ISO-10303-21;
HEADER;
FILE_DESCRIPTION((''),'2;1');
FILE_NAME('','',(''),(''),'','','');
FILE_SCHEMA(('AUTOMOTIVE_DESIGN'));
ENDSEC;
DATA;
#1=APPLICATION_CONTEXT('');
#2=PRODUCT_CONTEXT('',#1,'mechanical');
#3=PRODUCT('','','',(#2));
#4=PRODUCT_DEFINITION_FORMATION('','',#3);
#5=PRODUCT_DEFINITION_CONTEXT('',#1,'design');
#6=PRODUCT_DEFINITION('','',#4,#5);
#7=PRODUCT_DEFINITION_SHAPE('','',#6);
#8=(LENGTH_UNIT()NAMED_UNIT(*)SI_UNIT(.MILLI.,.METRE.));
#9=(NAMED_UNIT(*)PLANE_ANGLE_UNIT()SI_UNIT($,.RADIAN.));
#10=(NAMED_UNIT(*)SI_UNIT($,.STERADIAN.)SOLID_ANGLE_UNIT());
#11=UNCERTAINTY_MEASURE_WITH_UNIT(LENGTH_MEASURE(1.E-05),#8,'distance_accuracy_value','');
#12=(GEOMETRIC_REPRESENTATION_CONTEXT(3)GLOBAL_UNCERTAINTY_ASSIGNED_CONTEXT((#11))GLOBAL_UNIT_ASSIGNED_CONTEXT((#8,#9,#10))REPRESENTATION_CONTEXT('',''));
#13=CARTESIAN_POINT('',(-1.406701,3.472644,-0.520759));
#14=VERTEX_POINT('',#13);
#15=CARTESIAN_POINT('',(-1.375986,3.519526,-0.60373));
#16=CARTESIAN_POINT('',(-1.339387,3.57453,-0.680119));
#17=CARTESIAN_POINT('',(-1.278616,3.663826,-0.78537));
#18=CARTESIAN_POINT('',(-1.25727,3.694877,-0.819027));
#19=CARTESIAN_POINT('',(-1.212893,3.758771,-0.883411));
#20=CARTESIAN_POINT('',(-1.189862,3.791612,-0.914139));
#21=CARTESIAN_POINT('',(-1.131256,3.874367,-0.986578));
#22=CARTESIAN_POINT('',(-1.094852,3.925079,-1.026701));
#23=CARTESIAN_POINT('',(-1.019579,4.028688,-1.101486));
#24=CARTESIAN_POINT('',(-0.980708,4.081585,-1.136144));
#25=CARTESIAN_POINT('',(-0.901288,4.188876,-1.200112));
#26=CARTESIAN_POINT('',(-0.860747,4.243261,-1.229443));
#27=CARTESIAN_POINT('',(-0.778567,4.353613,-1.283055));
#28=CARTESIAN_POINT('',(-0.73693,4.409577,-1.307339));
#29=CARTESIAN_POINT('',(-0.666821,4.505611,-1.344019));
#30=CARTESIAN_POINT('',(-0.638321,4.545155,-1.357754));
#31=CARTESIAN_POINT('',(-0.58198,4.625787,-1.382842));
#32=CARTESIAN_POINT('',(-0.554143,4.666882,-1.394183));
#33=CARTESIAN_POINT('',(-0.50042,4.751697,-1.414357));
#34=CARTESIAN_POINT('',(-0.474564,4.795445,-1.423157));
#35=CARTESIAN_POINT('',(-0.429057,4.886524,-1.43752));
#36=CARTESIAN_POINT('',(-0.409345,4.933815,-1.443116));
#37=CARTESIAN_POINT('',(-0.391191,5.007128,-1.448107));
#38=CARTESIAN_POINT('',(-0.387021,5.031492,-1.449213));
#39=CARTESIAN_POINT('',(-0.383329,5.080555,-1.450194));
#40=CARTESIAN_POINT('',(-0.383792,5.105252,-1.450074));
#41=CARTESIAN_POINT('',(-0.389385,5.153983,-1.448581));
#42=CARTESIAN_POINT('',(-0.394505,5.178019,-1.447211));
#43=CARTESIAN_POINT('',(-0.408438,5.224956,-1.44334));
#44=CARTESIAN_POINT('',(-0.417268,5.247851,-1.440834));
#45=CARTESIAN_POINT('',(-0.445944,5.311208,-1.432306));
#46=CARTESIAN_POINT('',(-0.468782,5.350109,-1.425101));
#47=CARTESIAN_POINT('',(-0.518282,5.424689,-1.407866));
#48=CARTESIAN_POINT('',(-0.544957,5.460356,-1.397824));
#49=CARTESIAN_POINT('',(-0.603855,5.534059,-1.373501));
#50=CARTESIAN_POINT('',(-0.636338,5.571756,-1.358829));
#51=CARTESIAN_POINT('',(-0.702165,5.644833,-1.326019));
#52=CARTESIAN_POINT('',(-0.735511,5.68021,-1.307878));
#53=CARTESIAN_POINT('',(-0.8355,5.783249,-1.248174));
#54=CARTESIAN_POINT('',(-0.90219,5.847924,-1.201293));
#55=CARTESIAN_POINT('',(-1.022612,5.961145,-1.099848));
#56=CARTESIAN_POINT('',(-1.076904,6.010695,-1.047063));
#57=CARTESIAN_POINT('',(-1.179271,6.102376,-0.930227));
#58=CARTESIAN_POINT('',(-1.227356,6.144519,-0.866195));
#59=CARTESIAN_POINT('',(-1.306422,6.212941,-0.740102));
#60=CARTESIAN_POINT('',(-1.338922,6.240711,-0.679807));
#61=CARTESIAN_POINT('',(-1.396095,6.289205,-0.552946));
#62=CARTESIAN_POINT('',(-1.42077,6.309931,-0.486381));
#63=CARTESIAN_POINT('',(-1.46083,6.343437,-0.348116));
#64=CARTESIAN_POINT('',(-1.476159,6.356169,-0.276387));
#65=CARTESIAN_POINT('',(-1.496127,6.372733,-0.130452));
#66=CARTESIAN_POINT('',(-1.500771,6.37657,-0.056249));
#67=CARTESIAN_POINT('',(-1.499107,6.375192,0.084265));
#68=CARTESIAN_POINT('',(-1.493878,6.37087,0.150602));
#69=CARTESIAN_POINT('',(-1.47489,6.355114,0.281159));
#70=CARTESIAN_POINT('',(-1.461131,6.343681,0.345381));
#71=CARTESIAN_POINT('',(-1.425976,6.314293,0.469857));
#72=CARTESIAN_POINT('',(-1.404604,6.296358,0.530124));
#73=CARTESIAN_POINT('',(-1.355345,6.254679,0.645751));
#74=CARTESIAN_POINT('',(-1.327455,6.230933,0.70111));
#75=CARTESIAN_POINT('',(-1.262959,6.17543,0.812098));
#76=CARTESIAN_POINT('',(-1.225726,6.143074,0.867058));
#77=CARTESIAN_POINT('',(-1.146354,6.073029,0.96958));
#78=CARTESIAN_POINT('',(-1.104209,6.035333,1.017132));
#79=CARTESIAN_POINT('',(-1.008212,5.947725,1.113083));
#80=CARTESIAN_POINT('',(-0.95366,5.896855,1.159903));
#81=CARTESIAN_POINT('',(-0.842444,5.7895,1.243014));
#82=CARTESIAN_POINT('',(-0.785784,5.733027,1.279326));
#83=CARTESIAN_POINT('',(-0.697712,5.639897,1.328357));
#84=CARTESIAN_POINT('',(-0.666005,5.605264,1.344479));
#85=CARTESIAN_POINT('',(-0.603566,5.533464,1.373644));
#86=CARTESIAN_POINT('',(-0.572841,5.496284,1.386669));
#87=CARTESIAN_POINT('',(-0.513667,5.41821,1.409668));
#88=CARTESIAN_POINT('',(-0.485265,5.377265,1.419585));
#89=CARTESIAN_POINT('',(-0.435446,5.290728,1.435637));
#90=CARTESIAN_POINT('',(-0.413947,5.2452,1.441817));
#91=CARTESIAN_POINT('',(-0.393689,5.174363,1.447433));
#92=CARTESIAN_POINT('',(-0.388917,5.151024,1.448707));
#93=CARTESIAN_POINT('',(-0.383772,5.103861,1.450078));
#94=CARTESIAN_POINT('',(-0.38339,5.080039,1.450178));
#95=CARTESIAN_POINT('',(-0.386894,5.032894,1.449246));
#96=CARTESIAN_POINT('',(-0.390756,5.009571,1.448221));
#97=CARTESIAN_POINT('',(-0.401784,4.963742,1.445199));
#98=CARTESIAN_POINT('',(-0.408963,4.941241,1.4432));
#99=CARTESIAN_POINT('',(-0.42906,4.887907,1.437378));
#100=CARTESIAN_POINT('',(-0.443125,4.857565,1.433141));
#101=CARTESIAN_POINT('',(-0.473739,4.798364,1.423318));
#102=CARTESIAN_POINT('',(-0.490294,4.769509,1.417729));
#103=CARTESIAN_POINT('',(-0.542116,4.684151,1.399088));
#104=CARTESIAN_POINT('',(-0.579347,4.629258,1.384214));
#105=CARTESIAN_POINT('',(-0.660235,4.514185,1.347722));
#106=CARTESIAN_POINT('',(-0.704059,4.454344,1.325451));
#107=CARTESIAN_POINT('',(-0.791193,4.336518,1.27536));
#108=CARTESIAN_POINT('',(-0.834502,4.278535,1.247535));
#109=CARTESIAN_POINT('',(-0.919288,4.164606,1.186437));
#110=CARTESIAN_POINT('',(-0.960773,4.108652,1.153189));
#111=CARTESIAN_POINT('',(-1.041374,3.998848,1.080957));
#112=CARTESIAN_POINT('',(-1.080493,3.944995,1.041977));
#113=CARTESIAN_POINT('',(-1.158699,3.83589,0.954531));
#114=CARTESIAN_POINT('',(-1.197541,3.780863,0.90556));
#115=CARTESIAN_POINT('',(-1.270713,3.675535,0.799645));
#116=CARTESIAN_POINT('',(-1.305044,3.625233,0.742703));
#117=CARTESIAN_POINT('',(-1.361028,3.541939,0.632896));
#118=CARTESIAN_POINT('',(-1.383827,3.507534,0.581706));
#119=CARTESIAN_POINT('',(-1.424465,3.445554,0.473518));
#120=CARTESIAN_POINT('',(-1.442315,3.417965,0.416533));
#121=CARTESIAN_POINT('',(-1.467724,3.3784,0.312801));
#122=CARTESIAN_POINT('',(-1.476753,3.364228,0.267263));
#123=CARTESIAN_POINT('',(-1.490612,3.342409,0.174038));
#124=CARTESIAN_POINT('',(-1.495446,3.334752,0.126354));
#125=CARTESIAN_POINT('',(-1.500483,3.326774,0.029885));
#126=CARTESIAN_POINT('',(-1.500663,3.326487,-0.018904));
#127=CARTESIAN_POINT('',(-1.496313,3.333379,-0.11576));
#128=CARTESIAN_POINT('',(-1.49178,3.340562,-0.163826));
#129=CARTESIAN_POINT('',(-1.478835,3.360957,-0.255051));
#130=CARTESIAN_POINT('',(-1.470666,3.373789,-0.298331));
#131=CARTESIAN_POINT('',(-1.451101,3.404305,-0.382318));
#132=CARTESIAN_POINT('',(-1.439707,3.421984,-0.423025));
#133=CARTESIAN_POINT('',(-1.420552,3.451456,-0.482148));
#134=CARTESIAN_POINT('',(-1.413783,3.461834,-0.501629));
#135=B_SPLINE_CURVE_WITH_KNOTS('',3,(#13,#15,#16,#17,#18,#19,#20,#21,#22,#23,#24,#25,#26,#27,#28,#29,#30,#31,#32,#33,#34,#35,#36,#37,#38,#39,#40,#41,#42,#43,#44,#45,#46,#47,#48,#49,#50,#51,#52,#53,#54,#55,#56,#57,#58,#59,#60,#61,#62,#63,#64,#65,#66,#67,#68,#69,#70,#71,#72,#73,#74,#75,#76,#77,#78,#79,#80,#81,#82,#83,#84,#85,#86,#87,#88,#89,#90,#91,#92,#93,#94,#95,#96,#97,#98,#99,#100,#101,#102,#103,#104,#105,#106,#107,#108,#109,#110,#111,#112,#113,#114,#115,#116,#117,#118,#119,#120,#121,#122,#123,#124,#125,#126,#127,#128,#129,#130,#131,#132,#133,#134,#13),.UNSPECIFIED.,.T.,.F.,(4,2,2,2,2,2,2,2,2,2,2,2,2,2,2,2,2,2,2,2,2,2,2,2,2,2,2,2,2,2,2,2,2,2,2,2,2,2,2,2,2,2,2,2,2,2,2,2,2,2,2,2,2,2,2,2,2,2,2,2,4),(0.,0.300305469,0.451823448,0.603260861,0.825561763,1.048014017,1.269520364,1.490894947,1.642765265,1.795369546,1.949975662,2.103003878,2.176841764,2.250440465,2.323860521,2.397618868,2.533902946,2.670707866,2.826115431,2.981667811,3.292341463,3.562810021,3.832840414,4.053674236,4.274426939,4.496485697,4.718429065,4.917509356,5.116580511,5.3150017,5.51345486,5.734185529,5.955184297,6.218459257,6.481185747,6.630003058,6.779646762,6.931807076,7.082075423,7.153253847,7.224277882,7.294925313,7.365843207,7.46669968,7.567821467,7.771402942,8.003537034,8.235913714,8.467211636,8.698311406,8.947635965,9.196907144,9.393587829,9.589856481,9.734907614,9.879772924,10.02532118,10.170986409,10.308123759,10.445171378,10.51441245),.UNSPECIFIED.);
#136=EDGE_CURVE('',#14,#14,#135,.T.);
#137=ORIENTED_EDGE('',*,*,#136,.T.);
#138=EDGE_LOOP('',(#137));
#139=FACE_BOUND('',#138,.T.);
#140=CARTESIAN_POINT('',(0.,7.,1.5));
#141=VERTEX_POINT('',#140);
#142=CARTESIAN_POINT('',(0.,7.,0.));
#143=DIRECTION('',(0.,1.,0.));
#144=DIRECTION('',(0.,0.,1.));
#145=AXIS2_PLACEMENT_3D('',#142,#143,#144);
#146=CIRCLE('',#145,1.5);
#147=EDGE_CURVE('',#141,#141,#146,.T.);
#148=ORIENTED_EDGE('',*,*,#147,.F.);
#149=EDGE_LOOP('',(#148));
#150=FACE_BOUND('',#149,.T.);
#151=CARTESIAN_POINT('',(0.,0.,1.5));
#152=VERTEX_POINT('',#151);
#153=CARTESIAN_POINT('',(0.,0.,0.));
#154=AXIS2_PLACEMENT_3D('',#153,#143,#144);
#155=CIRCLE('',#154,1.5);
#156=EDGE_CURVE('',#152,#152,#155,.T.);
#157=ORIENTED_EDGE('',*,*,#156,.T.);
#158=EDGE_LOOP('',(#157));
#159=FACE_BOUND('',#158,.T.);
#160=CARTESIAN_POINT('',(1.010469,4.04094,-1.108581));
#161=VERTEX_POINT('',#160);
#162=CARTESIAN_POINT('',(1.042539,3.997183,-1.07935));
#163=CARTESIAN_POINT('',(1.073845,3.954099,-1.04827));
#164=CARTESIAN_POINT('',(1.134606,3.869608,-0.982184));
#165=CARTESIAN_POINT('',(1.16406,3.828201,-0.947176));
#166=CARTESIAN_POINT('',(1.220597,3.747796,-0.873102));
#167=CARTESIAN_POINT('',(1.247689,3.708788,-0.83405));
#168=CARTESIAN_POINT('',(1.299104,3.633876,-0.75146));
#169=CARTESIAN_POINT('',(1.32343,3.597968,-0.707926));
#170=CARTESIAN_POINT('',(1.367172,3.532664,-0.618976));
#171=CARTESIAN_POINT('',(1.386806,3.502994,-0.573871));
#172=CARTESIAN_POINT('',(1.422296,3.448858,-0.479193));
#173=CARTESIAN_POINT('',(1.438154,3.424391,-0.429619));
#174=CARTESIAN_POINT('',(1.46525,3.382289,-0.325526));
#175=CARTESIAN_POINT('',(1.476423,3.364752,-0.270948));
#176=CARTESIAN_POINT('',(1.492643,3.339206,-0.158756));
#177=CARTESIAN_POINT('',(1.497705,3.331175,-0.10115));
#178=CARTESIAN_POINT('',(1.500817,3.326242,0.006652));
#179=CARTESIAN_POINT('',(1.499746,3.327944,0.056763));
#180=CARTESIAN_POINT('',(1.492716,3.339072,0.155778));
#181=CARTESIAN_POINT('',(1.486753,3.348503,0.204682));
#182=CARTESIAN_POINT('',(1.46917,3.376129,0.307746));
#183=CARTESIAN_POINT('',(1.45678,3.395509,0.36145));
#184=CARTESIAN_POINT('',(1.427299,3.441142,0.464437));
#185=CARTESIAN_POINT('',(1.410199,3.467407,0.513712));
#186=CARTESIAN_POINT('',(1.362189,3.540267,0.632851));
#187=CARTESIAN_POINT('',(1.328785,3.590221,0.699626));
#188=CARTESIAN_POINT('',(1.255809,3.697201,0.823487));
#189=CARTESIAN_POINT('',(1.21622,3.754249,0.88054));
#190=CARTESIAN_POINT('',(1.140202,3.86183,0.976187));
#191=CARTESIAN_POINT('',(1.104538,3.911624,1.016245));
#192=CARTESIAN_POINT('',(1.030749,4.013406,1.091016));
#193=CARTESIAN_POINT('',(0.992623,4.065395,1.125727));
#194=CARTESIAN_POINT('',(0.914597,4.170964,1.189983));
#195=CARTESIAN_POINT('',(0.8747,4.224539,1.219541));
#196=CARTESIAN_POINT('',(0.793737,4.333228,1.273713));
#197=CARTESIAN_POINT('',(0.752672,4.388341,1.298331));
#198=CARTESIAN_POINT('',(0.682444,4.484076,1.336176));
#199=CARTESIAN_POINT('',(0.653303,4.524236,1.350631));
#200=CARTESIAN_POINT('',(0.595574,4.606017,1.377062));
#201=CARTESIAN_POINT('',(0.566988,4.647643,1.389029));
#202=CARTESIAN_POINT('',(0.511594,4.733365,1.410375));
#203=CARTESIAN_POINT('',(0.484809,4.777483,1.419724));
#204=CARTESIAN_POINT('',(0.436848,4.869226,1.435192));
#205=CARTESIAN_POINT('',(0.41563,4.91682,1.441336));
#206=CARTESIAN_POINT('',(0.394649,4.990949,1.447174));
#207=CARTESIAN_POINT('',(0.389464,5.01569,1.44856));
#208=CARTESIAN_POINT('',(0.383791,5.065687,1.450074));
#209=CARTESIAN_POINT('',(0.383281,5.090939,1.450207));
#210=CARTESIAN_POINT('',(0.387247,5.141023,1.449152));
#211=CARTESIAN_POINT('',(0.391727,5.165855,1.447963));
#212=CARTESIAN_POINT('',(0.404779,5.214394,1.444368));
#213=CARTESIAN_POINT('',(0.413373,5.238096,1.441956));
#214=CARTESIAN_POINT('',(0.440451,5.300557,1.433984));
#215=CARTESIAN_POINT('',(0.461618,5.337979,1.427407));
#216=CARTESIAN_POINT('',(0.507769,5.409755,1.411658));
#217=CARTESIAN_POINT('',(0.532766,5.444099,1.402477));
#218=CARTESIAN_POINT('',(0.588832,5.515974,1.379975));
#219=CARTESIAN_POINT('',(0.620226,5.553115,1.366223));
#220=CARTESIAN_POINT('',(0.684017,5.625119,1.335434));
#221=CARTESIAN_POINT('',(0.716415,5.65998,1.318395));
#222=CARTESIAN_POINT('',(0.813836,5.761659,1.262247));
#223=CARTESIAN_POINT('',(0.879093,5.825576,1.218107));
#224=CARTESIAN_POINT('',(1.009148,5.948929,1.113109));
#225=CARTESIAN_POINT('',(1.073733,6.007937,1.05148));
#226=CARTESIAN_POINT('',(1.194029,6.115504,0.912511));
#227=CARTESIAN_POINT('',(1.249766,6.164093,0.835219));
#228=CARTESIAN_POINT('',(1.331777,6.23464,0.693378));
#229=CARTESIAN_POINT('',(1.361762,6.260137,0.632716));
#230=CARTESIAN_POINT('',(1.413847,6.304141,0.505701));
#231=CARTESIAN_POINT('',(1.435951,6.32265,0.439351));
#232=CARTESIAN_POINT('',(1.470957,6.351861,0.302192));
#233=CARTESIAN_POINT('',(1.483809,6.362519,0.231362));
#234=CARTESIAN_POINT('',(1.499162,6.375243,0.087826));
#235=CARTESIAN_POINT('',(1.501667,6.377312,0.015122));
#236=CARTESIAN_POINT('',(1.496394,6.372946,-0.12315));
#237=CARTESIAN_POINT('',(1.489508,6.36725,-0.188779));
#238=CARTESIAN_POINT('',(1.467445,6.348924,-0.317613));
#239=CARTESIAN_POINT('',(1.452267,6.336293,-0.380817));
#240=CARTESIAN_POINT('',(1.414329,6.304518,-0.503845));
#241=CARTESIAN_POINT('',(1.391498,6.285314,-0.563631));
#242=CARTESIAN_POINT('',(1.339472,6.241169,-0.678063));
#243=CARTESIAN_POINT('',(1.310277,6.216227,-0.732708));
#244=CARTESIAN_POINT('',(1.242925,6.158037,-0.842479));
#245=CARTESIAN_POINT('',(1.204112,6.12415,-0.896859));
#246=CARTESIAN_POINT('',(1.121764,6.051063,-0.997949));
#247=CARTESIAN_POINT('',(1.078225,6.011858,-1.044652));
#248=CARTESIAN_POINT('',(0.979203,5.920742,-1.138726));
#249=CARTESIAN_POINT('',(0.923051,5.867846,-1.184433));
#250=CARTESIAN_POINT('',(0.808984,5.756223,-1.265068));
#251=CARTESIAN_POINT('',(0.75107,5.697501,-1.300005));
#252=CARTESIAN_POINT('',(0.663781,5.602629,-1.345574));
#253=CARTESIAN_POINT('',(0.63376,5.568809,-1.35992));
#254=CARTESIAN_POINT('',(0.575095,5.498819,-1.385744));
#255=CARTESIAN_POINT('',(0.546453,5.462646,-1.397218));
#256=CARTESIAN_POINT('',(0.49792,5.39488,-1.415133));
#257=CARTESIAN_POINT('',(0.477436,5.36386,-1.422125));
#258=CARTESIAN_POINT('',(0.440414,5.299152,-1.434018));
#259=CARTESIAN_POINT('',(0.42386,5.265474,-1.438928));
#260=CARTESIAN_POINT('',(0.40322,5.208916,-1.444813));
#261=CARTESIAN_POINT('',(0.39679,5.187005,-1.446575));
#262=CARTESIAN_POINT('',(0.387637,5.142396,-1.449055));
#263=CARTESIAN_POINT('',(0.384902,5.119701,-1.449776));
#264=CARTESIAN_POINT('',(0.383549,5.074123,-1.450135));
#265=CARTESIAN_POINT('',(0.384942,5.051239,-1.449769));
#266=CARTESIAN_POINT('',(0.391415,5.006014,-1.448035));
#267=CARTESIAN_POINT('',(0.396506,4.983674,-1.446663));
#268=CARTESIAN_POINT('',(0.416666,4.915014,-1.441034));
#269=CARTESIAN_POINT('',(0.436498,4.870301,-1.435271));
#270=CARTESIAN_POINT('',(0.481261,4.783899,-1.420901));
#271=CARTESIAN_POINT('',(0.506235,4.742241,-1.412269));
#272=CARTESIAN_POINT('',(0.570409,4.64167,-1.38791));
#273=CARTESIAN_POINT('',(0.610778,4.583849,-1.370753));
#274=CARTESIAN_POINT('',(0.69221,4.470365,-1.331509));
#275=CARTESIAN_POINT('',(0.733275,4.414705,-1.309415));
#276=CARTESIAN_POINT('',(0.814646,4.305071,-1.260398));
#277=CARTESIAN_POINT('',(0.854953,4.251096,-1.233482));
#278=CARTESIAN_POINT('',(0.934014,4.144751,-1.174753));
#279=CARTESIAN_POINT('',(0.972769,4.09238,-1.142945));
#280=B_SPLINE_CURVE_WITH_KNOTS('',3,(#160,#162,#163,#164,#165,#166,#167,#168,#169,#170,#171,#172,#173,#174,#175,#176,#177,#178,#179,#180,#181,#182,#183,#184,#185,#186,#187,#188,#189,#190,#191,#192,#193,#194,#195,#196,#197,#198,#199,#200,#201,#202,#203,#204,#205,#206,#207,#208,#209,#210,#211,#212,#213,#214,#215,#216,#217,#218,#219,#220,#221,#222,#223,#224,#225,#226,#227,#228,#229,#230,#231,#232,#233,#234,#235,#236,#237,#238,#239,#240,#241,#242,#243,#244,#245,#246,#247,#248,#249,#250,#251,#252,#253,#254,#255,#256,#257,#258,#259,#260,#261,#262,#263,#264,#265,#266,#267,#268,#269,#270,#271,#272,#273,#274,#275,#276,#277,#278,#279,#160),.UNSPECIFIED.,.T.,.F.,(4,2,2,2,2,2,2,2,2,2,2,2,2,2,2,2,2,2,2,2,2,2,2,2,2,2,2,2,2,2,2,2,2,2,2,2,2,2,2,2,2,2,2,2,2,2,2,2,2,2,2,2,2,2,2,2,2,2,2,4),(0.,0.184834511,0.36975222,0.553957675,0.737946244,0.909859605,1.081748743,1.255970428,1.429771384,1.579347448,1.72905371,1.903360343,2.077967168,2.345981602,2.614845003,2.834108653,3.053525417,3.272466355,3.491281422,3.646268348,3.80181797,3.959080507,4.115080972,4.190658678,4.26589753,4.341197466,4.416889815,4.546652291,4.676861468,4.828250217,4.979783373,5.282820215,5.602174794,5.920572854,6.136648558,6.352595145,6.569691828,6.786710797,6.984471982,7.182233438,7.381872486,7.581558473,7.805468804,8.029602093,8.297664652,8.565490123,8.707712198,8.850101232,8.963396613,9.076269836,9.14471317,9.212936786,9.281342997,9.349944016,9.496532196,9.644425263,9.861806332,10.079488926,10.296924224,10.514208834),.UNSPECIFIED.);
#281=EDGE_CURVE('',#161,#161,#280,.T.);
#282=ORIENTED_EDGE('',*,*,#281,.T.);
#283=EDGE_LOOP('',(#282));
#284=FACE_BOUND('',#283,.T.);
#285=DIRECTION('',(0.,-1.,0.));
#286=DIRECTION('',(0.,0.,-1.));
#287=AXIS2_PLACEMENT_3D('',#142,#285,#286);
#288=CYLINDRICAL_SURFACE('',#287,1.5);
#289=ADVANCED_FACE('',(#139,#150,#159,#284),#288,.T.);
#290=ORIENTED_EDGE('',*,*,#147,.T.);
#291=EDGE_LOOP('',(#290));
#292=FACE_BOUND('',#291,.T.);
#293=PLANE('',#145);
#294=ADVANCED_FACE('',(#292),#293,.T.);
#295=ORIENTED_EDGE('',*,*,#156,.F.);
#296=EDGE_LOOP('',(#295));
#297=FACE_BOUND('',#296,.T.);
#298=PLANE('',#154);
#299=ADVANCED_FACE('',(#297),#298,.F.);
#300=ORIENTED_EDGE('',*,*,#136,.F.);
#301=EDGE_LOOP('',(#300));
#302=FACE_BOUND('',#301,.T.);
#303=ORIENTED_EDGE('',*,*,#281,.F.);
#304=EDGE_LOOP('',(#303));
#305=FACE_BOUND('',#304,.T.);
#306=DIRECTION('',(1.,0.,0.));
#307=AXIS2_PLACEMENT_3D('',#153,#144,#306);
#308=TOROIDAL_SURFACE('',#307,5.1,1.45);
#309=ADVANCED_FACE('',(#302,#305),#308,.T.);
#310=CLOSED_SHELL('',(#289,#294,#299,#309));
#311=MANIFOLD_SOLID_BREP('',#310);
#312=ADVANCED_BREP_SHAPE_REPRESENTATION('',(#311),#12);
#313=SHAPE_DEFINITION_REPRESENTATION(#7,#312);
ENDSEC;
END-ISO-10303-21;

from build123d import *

# Parameters (mm, degrees)
SKETCH_3_R      = 1.45
SKETCH_6_R      = 1.5
EXTRUDE_1_DEPTH = 7


with BuildPart() as part:
    # 扫描1: sweep along a path in 草图1
    with BuildLine(Plane.XY) as sweep_1_path:
        CenterArc((0, 0), 5, 0, 360)
    # 草图3 → 扫描1 (sweep)
    with BuildSketch(Plane(origin=(0, 0, 0), x_dir=(0, 0, -1), z_dir=(1, 0, 0))):
        with Locations((0, 5.1)):
            Circle(SKETCH_3_R)
    sweep(path=sweep_1_path.line)

    # 草图6 → 凸台-拉伸1 (add)
    with BuildSketch(Plane(origin=(0, 0, 0), x_dir=(1, 0, 0), z_dir=(0, 1, 0))):
        with Locations(Location((0, 0, 0), (0, 0, 270))):
            Circle(SKETCH_6_R)
    extrude(amount=EXTRUDE_1_DEPTH)


solid = part.part
